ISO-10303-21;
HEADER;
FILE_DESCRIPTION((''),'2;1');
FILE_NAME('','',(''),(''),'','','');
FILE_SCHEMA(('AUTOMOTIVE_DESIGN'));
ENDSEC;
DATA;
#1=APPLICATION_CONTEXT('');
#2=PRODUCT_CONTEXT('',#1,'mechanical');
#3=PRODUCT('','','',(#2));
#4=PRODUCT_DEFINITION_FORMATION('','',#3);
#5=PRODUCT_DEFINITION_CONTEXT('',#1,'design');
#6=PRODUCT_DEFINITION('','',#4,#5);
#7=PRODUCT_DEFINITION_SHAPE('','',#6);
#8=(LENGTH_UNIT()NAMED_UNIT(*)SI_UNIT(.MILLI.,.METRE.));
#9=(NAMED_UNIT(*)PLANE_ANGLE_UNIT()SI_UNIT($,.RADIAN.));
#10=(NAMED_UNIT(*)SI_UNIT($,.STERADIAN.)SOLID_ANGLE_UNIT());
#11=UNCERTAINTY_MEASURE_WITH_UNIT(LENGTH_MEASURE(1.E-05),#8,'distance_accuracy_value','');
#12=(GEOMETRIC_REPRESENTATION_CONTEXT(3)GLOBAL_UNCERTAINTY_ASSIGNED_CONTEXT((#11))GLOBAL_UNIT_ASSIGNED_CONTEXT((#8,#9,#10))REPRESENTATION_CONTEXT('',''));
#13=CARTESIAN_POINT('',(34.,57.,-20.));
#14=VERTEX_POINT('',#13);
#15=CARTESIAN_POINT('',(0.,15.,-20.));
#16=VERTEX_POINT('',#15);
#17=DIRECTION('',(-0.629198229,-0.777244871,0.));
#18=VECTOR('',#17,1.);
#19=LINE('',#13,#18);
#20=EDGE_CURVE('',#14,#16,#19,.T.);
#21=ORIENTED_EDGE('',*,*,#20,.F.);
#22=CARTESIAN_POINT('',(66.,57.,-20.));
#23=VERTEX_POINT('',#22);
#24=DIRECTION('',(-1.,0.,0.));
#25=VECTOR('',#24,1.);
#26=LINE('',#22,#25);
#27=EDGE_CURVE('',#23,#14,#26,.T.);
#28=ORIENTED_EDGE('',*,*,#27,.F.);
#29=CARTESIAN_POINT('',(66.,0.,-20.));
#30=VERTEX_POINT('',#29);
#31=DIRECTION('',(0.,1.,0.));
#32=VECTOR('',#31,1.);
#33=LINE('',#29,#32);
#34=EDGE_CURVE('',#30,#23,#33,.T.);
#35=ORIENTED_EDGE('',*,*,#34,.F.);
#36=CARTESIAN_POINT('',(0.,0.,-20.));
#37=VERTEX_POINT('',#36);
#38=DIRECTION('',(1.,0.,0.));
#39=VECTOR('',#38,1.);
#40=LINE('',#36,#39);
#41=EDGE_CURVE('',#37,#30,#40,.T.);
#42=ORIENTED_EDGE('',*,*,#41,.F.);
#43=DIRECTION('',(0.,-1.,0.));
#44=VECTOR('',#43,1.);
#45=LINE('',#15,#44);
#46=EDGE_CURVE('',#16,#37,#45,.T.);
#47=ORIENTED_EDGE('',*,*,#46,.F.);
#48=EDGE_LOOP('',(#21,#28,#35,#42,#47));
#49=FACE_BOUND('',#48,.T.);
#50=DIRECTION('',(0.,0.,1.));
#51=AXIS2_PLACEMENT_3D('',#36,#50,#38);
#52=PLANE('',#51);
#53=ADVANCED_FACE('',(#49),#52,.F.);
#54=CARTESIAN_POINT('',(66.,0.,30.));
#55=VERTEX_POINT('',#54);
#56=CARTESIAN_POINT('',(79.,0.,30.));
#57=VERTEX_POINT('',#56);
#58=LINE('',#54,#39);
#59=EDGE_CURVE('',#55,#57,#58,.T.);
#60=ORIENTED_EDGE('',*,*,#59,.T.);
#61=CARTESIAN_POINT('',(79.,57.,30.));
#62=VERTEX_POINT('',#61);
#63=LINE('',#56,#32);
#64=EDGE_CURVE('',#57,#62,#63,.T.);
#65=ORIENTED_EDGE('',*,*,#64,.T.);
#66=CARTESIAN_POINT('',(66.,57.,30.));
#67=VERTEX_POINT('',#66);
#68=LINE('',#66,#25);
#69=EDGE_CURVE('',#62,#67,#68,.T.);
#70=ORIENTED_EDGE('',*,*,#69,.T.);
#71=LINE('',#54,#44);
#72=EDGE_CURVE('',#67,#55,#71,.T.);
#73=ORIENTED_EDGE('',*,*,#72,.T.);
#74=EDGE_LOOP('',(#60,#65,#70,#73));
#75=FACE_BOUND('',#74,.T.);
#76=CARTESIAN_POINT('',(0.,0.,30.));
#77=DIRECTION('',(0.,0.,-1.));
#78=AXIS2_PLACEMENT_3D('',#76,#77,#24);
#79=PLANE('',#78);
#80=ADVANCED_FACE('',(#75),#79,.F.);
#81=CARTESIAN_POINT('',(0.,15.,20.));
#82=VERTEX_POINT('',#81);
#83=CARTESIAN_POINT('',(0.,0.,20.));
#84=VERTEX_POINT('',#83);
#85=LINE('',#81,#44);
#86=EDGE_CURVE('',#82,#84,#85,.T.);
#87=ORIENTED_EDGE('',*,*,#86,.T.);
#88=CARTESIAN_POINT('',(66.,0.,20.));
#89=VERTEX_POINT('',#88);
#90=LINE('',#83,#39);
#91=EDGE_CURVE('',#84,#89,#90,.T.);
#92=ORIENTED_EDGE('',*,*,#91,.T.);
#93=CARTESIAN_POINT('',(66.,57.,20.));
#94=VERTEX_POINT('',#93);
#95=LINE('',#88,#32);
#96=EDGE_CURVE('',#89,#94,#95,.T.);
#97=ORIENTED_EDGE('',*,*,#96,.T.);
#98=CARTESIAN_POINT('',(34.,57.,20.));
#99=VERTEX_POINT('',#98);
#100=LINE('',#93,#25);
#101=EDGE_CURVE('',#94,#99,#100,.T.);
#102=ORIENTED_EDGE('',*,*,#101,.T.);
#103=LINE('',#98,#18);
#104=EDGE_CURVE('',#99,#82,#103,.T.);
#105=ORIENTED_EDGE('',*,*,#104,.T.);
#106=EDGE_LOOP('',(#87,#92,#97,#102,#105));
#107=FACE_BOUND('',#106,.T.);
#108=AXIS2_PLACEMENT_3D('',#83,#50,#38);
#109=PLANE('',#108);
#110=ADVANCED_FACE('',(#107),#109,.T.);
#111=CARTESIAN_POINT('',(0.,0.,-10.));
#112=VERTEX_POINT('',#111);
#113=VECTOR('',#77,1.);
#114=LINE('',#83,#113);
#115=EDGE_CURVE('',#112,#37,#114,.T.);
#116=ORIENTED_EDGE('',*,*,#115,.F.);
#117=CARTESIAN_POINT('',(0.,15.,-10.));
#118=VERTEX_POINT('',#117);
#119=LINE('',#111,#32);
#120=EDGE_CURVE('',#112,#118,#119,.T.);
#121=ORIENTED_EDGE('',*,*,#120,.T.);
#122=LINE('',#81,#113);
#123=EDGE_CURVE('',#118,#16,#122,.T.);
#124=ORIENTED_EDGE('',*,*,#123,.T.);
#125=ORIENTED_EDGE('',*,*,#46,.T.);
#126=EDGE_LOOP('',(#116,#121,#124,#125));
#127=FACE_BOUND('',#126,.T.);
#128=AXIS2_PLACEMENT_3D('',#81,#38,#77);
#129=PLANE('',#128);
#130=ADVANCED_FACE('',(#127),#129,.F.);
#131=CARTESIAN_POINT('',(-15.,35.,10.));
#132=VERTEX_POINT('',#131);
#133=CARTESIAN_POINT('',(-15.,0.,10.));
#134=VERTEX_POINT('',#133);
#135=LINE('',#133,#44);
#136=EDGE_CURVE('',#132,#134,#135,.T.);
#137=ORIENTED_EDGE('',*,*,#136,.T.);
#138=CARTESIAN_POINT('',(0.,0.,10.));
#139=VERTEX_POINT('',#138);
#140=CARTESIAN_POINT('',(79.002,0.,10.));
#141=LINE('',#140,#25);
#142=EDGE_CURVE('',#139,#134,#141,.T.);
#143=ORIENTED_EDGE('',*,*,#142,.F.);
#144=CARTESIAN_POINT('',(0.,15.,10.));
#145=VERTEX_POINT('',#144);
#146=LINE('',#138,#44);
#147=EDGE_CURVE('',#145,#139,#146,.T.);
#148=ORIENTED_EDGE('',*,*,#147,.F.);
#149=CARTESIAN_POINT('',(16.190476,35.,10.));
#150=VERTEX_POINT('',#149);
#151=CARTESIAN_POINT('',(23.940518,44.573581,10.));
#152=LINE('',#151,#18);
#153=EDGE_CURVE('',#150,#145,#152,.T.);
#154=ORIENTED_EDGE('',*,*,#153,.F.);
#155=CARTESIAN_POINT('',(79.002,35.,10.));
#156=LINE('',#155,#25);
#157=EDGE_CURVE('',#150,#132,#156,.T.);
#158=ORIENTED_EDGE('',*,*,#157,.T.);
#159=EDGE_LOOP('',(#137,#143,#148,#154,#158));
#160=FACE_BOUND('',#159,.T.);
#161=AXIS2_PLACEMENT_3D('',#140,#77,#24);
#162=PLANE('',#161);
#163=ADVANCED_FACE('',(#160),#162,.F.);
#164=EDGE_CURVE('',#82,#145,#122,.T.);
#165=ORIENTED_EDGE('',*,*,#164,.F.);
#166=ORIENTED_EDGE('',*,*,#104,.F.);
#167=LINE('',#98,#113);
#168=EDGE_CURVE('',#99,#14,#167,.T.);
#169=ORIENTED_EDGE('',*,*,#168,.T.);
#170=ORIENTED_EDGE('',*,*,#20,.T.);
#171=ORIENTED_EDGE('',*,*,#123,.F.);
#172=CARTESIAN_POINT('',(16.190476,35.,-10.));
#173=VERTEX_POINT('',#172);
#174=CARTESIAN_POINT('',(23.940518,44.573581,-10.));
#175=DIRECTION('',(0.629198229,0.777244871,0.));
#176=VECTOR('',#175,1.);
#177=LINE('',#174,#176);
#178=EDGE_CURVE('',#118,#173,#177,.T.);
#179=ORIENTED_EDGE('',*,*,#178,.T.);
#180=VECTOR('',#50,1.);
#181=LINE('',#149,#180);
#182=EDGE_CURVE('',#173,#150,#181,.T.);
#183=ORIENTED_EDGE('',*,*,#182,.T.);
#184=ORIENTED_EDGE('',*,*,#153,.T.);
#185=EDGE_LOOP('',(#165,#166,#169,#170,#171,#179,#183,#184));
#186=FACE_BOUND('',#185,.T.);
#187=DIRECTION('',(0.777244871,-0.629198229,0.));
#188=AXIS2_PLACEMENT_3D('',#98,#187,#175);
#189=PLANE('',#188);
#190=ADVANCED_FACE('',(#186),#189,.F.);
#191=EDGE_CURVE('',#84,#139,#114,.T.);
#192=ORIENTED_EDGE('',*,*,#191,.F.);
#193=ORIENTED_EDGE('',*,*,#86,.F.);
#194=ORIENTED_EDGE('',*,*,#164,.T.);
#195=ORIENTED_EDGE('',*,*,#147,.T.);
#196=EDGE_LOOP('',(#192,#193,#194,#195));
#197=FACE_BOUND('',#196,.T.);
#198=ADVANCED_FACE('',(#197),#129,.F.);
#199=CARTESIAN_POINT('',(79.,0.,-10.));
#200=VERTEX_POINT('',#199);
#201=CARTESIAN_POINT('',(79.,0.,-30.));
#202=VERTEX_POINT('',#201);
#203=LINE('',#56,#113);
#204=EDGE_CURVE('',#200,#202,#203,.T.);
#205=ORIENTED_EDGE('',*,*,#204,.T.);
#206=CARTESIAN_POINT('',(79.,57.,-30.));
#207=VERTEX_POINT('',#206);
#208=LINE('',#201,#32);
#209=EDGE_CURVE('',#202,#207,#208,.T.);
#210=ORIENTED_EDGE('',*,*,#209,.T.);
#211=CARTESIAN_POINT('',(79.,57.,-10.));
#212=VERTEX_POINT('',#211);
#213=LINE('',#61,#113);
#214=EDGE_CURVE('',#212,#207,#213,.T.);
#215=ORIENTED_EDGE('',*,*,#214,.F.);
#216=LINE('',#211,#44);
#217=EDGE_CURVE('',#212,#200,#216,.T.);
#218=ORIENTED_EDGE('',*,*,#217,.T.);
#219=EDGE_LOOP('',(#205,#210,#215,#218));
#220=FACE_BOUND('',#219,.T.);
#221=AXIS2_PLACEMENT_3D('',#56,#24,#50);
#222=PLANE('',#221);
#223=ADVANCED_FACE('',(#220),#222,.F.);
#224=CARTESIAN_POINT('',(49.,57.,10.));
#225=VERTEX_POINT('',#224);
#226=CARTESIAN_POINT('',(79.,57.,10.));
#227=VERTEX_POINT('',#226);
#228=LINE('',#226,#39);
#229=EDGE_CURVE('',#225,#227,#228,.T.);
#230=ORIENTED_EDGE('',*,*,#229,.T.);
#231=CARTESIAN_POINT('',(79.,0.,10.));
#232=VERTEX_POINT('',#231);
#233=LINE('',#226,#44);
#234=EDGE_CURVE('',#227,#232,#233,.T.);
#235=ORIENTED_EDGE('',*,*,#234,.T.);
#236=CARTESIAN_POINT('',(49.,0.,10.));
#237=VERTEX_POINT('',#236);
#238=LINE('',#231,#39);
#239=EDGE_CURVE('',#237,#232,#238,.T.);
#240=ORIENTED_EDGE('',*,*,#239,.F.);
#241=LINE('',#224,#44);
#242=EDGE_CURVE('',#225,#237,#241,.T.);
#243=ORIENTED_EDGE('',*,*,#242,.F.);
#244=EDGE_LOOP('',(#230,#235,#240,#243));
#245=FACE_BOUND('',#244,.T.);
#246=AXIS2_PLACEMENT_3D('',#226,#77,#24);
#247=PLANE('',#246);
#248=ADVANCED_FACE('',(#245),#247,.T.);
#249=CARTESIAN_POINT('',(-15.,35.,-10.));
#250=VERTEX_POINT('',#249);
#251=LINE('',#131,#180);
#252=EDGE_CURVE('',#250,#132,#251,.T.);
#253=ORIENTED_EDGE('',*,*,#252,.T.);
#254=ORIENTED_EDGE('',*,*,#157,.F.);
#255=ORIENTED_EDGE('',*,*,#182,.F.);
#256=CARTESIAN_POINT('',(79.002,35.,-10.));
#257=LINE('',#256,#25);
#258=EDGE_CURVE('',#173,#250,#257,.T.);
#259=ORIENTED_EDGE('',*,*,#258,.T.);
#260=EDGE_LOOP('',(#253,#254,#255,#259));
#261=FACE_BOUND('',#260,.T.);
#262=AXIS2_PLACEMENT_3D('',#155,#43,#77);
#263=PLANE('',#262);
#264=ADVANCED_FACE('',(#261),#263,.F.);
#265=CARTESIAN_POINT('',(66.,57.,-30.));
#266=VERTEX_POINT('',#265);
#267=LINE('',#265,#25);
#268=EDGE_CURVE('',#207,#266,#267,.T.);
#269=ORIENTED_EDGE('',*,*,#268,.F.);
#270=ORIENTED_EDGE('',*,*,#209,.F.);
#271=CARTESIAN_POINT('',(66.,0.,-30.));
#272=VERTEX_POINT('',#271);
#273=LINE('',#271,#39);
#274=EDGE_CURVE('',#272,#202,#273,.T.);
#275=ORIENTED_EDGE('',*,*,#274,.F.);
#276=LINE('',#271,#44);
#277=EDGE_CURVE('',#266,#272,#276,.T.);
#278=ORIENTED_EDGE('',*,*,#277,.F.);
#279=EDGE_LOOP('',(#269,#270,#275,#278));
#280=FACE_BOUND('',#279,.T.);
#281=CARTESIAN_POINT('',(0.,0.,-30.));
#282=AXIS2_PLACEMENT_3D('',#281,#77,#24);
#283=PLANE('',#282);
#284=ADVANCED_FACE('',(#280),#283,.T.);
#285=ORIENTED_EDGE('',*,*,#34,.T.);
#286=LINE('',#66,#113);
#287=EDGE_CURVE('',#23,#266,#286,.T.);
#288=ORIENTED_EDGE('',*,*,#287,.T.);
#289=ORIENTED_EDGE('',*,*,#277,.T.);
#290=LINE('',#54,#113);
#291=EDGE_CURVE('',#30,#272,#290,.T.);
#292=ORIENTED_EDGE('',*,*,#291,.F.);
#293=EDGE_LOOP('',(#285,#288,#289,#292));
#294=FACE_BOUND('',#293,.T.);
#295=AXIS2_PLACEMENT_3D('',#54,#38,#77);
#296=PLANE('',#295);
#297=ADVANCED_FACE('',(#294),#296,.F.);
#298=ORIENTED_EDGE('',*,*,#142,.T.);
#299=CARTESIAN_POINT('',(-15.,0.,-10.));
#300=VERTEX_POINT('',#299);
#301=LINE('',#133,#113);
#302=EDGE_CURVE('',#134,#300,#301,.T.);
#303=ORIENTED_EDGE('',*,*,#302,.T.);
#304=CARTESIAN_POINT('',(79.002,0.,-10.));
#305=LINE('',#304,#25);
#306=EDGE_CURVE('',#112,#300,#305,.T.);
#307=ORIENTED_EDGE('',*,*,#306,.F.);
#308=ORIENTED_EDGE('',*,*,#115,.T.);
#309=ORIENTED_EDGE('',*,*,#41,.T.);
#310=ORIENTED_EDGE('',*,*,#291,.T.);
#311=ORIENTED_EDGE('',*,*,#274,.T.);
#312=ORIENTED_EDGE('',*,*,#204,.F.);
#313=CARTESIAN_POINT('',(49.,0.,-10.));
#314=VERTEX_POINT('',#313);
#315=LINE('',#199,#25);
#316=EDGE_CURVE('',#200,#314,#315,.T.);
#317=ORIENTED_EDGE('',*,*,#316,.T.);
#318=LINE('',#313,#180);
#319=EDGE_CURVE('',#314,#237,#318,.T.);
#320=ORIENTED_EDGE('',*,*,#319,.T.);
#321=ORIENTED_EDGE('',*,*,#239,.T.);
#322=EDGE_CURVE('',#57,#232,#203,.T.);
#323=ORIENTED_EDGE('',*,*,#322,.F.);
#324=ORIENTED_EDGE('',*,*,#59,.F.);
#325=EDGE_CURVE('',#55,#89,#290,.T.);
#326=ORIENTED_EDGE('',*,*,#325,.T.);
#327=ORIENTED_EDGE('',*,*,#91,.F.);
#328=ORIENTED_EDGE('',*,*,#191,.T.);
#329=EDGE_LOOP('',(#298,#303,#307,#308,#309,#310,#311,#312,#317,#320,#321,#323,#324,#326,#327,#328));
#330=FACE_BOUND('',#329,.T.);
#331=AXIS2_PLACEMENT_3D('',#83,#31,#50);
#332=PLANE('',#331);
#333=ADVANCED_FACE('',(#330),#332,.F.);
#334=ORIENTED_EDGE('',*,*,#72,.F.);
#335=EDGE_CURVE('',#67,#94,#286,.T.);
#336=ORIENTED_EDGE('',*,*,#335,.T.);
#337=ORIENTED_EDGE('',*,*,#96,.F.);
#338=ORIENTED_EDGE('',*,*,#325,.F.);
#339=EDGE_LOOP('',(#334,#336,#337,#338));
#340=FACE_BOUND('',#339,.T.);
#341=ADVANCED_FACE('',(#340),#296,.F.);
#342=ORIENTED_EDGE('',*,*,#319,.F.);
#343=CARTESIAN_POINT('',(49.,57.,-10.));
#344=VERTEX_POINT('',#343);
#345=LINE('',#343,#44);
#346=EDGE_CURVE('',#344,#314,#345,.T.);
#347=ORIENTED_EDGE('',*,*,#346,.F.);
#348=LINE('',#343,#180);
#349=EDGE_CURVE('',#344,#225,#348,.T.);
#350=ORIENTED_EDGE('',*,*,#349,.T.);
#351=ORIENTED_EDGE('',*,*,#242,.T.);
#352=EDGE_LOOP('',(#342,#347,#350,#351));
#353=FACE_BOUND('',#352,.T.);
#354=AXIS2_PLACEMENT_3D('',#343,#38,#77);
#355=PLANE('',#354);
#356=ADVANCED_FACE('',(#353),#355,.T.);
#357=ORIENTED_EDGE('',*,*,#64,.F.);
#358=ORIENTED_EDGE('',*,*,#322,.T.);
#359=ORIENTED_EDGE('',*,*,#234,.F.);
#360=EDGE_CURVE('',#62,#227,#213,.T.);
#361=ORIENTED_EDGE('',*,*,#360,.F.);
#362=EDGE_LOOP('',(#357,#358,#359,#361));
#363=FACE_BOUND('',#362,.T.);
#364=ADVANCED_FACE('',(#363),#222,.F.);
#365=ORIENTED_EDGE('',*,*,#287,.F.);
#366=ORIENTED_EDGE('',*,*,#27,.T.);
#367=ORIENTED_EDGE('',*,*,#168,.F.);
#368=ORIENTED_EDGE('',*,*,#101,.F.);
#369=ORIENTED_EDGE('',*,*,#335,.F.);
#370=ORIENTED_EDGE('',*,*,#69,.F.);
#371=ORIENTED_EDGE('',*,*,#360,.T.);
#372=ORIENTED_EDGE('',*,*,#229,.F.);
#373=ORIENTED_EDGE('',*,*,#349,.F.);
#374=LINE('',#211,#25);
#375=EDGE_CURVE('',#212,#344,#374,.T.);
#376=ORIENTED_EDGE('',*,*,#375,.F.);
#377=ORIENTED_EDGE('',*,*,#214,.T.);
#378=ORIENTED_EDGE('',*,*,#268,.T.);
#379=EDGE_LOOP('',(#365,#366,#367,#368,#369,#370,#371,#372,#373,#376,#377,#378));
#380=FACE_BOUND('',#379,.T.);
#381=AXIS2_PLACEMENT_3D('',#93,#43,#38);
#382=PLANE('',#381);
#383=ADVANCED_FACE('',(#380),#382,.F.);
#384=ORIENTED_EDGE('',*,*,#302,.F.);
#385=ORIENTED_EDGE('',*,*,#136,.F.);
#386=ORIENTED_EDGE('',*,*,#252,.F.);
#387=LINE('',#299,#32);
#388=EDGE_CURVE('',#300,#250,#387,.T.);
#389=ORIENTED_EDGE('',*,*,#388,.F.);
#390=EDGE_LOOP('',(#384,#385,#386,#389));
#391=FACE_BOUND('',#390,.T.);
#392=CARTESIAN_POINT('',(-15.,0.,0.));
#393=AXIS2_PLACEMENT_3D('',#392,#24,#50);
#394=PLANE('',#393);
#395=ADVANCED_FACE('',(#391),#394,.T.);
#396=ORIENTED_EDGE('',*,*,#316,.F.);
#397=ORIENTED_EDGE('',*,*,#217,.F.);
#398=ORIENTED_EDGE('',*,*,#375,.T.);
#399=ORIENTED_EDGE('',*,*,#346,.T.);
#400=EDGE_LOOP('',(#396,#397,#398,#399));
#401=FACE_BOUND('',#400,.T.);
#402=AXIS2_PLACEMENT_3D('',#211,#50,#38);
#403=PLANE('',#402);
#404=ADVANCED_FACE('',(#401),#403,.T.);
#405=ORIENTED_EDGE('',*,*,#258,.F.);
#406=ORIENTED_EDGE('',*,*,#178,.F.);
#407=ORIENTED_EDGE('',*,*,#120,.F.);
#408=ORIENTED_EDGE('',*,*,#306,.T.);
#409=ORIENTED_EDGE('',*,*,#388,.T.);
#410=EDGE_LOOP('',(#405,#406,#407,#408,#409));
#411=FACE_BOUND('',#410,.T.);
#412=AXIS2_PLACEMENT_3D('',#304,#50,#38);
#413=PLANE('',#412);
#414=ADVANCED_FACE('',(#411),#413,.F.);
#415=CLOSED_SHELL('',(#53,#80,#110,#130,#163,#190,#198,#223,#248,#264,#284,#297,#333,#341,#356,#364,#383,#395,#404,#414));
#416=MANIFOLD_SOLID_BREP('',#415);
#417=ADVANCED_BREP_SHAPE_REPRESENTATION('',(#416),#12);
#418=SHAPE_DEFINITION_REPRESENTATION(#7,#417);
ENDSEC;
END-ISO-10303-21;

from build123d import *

# Parameters (mm, degrees)
BOSS_EXTRUDE1_DEPTH = 20
SKETCH2_W           = 13
SKETCH2_H           = 57
BOSS_EXTRUDE2_DEPTH = 30
SKETCH3_W           = 30
SKETCH3_H           = 20
CUT_EXTRUDE1_DEPTH  = 102.931349447
BOSS_EXTRUDE3_REACH = 118.931
BOSS_EXTRUDE3_START = -15
SKETCH5_W           = 20
SKETCH5_H           = 35


with BuildPart() as part:
    # Sketch1 → Boss-Extrude1 (new, symmetric)
    with BuildSketch(Plane.XY):
        Polygon((0, 0), (66, 0), (66, 57), (34, 57), (0, 15), align=None)
    extrude(amount=BOSS_EXTRUDE1_DEPTH, both=True)

    # Sketch2 → Boss-Extrude2 (add, symmetric)
    with BuildSketch(Plane.XY):
        with Locations((72.5, 28.5)):
            Rectangle(SKETCH2_W, SKETCH2_H)
    extrude(amount=BOSS_EXTRUDE2_DEPTH, both=True)

    # Sketch3 → Cut-Extrude1 (cut, through all)
    with BuildSketch(Plane(origin=(0, 0, 0), x_dir=(1, 0, 0), z_dir=(0, 1, 0))):
        with Locations((64, 0)):
            Rectangle(SKETCH3_W, SKETCH3_H)
    extrude(amount=CUT_EXTRUDE1_DEPTH, mode=Mode.SUBTRACT)

    # Sketch5 → Boss-Extrude3 (add, up to next)
    with BuildSketch(Plane(origin=(0, 0, 0), x_dir=(0, 0, -1), z_dir=(1, 0, 0)).offset(BOSS_EXTRUDE3_START), mode=Mode.PRIVATE) as boss_extrude3_sk1:
        with Locations((0, 17.5)):
            Rectangle(SKETCH5_W, SKETCH5_H)
    boss_extrude3_tool1 = extrude(boss_extrude3_sk1.sketch, amount=BOSS_EXTRUDE3_REACH, mode=Mode.PRIVATE) - part.part
    add(boss_extrude3_tool1.solids().sort_by_distance((-15, 17.5, 0))[0])


solid = part.part
